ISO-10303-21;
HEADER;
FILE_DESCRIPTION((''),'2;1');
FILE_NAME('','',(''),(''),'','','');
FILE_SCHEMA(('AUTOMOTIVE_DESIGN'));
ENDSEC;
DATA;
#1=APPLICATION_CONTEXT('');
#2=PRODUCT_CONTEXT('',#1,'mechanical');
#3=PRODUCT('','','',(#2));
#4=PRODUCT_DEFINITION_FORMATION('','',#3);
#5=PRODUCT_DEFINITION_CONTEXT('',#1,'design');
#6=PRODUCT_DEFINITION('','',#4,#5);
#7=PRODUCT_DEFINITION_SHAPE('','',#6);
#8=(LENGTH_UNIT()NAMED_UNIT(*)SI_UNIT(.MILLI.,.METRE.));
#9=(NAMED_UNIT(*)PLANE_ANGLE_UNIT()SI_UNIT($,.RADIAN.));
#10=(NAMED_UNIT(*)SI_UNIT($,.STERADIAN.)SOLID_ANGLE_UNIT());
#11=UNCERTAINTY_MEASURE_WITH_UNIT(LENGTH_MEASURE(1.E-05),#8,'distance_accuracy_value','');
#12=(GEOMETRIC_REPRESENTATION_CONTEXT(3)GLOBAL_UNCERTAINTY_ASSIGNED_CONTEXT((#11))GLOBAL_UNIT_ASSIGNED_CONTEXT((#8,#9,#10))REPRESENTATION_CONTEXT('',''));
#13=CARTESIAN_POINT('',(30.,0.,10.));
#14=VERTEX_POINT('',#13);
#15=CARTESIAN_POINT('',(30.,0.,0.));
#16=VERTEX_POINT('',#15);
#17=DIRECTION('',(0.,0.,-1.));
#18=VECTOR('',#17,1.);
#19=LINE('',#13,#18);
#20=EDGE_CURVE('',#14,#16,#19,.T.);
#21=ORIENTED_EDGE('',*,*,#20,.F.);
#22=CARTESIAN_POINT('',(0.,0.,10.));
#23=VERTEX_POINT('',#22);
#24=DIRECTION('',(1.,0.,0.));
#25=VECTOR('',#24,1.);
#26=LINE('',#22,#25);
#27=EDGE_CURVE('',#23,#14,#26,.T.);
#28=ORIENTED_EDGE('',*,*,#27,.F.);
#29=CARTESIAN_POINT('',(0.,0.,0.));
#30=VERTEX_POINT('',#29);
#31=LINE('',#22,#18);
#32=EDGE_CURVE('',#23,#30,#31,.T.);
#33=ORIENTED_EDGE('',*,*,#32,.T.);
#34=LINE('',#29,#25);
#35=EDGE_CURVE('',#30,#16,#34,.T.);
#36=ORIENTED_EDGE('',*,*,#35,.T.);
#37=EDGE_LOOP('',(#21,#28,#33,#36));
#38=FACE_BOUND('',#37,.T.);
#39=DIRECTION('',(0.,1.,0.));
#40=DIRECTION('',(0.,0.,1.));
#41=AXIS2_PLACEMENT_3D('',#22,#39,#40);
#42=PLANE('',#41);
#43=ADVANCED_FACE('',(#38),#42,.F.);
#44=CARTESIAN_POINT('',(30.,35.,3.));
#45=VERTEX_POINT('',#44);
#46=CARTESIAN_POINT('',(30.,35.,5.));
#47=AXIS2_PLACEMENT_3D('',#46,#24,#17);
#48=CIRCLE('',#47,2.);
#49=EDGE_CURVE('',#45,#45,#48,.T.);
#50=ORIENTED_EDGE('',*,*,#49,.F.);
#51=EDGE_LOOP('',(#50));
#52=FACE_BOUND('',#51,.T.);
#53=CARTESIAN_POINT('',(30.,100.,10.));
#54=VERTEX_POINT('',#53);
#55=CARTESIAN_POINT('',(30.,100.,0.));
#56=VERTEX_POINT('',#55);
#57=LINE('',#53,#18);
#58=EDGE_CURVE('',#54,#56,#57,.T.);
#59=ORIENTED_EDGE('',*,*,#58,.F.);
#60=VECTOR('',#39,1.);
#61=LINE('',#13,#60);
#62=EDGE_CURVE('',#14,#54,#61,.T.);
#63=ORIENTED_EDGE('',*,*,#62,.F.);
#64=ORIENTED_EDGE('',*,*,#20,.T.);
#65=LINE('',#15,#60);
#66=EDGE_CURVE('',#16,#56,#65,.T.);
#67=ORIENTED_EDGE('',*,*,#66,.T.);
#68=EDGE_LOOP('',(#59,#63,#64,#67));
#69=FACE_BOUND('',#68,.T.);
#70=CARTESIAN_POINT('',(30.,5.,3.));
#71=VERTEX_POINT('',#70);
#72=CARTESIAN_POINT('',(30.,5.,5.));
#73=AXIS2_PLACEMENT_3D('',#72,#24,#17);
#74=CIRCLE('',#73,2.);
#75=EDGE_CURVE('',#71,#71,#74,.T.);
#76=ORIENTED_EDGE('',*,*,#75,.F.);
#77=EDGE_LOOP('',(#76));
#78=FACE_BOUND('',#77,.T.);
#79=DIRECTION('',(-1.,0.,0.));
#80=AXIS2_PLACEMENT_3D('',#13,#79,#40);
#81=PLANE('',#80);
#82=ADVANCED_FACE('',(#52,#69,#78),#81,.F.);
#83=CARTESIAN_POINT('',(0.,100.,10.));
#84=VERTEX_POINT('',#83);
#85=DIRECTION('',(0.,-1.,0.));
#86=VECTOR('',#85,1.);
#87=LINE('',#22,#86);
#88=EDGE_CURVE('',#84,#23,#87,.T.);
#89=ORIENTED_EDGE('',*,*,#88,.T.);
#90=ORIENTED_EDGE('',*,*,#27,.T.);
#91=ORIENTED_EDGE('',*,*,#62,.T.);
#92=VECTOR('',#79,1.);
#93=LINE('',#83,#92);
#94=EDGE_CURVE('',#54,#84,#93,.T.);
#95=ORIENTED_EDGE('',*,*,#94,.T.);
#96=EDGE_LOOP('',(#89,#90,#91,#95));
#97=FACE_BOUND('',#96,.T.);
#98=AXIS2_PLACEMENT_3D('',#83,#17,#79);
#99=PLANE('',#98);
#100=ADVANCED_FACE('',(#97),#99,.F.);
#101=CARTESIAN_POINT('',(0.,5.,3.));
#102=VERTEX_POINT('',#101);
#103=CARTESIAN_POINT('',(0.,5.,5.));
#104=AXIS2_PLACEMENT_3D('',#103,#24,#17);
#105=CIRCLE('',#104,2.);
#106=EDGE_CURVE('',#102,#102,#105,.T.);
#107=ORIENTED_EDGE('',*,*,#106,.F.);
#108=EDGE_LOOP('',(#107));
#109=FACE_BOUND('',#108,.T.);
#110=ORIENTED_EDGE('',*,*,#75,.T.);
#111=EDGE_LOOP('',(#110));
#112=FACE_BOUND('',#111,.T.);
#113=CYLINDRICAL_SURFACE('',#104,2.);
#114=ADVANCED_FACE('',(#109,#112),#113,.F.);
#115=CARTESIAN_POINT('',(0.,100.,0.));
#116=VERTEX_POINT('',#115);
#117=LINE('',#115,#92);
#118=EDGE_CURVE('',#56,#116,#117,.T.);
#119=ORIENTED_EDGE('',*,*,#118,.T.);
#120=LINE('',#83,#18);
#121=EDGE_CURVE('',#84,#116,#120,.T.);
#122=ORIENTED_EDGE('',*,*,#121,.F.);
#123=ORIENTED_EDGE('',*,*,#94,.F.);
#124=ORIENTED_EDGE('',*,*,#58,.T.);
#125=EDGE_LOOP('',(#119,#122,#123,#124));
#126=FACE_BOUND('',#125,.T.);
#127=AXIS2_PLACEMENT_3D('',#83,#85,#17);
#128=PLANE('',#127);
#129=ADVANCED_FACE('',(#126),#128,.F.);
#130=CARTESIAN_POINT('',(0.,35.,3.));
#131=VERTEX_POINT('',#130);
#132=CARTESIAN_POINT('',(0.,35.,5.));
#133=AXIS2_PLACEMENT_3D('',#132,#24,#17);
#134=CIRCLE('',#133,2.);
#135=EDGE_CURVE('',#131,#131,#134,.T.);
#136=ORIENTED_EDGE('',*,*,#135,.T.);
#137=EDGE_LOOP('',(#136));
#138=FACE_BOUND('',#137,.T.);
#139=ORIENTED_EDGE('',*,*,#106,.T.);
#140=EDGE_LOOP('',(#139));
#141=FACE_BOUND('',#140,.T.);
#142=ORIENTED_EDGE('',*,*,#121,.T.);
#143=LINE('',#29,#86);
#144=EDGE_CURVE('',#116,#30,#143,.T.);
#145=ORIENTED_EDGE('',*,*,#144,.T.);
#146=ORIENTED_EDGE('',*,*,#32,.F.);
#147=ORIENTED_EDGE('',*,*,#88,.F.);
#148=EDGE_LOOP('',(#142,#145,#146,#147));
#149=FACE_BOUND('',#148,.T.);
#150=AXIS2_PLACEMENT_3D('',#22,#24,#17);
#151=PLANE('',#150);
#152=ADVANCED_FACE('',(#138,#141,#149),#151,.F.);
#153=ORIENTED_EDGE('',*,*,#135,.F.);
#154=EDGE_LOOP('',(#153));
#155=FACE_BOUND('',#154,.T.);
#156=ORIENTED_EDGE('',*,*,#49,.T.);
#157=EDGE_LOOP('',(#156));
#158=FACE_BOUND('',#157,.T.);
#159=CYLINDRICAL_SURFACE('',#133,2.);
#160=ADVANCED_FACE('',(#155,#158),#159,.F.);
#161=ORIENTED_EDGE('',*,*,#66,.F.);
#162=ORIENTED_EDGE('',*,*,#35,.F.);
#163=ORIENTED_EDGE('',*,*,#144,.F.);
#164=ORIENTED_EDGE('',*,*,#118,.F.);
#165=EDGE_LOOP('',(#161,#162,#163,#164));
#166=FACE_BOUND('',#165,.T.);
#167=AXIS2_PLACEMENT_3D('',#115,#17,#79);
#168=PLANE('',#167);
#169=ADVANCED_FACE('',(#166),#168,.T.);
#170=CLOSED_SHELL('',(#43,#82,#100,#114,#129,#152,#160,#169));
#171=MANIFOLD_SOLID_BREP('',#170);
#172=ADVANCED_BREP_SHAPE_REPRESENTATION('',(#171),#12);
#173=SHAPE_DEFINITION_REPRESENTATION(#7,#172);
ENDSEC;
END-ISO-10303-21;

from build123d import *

# Parameters (mm, degrees)
SKETCH1_W           = 30
SKETCH1_H           = 100
BOSS_EXTRUDE1_DEPTH = 10
SKETCH2_R           = 2
CUT_EXTRUDE1_DEPTH  = 105.880884817


with BuildPart() as part:
    # Sketch1 → Boss-Extrude1 (new body)
    with BuildSketch(Plane.XY):
        with Locations((15, 50)):
            Rectangle(SKETCH1_W, SKETCH1_H)
    extrude(amount=BOSS_EXTRUDE1_DEPTH)

    # Sketch2 → Cut-Extrude1 (cut, through all)
    with BuildSketch(Plane(origin=(30, 0, 0), x_dir=(0, 0, -1), z_dir=(1, 0, 0))):
        with Locations((-5, 5)):
            Circle(SKETCH2_R)
        with Locations((-5, 35)):
            Circle(SKETCH2_R)
    extrude(amount=-CUT_EXTRUDE1_DEPTH, mode=Mode.SUBTRACT)


solid = part.part
